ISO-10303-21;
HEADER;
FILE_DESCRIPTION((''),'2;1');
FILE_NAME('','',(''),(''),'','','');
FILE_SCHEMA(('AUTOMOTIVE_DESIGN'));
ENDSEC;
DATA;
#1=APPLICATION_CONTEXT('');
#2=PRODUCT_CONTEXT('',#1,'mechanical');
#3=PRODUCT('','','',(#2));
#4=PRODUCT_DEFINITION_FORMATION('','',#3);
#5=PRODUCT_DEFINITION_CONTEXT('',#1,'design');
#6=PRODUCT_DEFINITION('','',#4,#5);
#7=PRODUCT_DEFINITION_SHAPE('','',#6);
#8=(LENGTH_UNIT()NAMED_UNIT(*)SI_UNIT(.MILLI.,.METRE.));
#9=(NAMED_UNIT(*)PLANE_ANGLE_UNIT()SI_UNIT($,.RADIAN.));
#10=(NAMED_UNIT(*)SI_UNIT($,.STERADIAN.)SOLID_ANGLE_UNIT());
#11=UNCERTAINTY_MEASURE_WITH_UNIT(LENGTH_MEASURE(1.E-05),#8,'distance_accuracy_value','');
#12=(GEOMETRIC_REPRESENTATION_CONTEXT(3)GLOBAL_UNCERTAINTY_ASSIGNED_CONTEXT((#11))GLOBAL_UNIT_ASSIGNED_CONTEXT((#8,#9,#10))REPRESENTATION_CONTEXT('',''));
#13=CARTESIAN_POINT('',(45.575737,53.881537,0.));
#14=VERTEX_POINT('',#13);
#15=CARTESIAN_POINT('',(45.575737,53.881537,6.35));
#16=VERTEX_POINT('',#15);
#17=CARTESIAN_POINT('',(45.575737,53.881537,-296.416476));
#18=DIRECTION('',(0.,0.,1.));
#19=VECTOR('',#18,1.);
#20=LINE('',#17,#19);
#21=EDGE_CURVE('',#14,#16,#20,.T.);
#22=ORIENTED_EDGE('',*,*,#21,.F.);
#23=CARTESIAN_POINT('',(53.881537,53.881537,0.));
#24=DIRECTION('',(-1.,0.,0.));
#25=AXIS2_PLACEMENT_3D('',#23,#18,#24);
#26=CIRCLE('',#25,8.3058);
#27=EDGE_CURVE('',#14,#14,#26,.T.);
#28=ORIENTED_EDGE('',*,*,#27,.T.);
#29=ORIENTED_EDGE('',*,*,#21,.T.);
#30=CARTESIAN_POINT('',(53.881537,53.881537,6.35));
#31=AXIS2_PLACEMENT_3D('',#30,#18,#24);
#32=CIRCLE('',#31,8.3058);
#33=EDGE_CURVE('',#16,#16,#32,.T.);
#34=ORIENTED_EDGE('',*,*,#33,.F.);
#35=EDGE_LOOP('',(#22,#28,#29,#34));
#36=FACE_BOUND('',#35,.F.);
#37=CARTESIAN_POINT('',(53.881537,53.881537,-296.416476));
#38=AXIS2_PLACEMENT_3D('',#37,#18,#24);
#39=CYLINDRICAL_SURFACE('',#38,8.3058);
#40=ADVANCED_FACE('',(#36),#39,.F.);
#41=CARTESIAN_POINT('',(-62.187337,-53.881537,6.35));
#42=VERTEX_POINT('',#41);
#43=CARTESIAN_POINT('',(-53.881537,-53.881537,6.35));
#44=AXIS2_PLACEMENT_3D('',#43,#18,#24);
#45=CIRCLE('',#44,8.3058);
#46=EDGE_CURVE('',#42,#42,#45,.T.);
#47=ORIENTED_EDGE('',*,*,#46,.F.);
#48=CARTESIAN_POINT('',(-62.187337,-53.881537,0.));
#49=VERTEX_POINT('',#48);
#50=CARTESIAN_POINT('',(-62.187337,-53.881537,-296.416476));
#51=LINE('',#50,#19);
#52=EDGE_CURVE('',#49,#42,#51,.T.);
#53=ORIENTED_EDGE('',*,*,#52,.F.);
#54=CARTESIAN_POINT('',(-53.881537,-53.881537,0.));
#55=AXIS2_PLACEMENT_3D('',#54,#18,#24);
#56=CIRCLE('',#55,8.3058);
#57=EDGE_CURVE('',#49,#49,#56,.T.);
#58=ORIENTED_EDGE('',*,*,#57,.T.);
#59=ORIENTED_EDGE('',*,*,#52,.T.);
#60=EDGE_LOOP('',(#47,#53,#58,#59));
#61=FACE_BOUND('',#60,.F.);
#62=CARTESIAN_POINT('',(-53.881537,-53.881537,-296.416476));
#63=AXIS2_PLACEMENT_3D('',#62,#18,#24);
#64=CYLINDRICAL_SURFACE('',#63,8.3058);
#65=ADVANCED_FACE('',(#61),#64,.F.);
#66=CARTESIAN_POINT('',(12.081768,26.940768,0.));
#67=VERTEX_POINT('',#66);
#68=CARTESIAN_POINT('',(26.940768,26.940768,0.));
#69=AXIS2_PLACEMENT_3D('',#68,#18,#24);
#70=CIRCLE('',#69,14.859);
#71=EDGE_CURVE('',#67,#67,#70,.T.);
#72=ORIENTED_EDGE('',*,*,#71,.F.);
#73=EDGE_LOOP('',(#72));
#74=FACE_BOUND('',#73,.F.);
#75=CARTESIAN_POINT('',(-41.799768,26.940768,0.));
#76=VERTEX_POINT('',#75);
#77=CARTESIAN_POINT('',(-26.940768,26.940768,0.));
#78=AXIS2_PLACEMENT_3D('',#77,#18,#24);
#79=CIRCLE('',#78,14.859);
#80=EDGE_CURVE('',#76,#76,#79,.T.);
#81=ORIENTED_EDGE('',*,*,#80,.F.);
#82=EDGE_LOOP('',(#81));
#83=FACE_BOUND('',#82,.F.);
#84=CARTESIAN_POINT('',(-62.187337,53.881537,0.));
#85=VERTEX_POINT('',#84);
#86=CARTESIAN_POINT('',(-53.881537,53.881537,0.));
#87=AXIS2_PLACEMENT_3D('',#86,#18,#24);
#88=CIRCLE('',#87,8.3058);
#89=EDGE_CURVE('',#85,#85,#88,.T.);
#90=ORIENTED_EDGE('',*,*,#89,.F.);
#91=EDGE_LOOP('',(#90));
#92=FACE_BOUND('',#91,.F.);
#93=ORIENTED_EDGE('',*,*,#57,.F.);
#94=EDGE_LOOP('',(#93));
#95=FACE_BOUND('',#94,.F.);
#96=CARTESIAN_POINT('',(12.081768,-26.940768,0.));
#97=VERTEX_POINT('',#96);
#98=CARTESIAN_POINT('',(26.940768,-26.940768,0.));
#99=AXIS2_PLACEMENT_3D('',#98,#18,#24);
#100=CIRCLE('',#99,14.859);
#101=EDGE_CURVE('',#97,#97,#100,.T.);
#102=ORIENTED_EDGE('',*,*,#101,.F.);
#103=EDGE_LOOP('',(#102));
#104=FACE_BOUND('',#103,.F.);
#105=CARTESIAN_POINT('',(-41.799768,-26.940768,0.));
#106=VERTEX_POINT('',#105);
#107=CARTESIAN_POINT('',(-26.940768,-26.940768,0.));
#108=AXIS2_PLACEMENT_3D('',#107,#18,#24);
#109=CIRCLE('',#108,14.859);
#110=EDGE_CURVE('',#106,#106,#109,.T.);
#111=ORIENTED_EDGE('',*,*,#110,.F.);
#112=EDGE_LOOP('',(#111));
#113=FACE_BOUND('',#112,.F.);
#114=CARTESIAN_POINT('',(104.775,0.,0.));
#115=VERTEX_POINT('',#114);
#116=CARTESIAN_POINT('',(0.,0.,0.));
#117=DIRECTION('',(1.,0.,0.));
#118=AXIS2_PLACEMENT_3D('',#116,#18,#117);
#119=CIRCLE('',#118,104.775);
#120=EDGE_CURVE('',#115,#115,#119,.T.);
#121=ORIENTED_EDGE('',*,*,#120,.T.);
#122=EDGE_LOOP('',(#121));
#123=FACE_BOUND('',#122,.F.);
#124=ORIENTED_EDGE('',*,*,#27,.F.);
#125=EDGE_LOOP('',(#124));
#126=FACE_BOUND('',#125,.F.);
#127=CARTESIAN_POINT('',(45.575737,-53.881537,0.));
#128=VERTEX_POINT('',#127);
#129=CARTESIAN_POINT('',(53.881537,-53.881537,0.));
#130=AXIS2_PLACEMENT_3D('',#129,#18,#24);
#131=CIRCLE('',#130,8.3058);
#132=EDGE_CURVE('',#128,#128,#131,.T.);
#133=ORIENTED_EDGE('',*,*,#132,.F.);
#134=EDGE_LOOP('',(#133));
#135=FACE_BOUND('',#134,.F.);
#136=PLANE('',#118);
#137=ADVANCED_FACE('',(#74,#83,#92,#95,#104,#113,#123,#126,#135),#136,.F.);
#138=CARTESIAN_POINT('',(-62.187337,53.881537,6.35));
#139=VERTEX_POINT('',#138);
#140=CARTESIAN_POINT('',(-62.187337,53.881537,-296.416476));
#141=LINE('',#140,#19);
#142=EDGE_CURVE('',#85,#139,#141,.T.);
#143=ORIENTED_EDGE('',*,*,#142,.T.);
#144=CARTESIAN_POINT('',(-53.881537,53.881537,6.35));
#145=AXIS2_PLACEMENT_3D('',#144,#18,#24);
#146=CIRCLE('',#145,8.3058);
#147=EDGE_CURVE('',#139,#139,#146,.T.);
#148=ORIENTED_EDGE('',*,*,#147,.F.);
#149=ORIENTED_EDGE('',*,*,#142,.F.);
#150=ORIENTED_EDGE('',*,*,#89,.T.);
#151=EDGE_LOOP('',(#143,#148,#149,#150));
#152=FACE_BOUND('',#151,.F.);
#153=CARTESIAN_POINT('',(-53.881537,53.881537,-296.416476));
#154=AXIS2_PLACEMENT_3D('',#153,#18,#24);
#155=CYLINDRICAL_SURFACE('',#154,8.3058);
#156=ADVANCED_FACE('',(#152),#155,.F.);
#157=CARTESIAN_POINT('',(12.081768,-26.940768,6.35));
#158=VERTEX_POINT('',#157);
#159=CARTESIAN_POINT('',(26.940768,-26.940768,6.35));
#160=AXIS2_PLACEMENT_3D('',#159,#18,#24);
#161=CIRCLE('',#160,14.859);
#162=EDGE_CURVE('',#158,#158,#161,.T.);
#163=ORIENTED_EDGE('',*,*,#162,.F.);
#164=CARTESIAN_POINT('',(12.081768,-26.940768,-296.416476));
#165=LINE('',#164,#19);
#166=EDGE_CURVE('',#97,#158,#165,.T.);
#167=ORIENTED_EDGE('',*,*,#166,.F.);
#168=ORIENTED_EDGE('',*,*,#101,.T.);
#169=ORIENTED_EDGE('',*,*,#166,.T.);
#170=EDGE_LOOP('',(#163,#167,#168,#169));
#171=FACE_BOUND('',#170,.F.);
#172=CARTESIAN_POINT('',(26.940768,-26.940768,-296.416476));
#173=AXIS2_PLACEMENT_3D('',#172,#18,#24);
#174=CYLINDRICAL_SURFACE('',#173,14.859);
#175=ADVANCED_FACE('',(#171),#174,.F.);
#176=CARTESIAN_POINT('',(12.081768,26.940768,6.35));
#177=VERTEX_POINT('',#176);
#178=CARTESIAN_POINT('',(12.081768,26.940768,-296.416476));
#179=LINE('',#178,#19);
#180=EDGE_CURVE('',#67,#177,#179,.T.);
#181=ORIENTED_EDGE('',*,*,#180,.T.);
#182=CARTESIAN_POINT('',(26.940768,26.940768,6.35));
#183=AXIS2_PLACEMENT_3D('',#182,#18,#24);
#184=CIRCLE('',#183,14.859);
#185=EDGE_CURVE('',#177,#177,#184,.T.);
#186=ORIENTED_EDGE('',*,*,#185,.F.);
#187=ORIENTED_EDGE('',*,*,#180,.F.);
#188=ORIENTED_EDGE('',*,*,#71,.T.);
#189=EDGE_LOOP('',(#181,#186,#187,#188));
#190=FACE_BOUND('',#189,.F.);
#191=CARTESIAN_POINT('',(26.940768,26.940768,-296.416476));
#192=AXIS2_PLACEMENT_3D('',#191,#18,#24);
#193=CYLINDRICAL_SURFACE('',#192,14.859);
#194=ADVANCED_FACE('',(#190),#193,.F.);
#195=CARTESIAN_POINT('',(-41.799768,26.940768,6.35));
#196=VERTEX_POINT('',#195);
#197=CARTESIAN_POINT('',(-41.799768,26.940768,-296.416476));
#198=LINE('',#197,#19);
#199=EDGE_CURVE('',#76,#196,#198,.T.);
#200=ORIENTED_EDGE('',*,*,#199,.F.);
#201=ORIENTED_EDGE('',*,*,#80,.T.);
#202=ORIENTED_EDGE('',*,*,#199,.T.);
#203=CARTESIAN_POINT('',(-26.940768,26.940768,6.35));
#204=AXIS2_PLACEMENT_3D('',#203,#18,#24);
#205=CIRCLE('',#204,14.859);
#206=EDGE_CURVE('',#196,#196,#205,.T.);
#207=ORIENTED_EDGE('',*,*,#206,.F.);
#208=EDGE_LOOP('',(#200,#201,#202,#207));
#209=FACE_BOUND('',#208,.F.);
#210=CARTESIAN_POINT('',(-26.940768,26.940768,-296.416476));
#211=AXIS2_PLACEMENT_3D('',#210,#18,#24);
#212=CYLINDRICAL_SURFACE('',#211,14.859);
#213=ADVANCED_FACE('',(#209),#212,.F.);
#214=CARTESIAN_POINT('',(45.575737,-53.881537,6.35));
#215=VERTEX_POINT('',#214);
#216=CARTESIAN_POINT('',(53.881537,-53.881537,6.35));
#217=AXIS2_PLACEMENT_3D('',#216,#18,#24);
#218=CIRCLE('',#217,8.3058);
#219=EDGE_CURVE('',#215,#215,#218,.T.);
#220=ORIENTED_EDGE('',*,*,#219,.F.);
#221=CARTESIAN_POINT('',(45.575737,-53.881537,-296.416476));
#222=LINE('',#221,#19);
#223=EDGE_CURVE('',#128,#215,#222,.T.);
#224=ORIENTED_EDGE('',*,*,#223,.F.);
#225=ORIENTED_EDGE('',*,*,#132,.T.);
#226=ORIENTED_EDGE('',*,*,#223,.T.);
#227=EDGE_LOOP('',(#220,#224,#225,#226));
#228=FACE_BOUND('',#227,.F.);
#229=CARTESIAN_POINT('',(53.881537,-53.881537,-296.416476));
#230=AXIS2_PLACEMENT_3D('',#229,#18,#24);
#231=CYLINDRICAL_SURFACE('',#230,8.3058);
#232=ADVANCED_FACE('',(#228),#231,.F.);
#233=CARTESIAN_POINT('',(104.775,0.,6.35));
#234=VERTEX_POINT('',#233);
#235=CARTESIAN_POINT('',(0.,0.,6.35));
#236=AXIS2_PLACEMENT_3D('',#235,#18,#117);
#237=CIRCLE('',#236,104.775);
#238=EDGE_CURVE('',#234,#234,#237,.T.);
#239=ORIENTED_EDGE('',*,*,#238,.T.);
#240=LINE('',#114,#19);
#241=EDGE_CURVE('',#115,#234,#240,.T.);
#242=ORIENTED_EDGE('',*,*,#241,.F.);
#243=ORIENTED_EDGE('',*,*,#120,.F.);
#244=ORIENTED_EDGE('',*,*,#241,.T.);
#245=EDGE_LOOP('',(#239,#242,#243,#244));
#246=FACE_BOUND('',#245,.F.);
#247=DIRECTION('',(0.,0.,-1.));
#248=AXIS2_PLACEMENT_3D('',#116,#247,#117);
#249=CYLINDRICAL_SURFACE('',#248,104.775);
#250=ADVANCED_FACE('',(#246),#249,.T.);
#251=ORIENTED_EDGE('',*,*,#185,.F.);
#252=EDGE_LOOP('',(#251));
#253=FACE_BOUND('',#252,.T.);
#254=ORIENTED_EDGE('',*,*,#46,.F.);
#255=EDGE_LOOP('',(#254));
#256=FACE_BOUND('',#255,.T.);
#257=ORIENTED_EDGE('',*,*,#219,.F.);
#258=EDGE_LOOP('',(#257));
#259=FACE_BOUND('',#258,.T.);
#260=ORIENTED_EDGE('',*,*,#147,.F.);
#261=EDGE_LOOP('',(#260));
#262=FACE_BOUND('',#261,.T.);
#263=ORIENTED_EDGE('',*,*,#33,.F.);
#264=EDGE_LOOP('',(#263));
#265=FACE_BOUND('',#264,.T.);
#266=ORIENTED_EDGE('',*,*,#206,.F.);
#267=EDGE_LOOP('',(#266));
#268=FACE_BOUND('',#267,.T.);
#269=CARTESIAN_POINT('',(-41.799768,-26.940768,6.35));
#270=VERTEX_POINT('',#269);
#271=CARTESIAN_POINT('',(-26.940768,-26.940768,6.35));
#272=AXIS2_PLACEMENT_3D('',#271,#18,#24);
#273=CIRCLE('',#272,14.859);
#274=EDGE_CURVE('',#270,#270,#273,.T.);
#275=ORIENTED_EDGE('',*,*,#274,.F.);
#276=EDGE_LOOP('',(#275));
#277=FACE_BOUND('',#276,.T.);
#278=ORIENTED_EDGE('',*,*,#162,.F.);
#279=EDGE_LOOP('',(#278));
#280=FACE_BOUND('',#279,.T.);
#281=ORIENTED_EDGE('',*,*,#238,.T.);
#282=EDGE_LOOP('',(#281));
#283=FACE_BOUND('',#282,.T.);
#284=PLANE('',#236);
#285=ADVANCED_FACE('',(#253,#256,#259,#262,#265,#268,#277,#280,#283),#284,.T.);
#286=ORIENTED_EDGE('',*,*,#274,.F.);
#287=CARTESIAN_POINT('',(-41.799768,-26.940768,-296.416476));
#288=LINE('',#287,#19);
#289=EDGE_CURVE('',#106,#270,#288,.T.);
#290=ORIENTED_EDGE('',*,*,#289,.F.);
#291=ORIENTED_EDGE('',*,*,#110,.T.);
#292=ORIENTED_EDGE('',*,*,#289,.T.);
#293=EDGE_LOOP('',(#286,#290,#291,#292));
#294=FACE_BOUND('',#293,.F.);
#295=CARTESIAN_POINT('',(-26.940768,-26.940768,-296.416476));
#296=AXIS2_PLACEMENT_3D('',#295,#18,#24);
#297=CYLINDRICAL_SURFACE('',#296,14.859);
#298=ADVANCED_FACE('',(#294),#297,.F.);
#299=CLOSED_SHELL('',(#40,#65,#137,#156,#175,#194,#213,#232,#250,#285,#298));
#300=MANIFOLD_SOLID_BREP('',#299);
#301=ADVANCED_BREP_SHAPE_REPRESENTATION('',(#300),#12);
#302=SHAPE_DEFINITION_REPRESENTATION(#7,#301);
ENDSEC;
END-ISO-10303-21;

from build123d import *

# Parameters (mm, degrees)
F0_R     = 104.775
F1_DEPTH = 6.35
F2_D     = 29.718
F3_D     = 29.718
F4_D     = 29.718
F5_D     = 29.718
F6_D     = 16.6116
F7_D     = 16.6116
F8_D     = 16.6116
F9_D     = 16.6116


with BuildPart() as f1:
    # F0 (on Top) → F1 (new body)
    with BuildSketch(Plane.XY):
        Circle(F0_R)
    extrude(amount=F1_DEPTH)

    # F2 (through all)
    with Locations(Plane(origin=(0, 0, 0), x_dir=(1, 0, 0), z_dir=(0, 0, -1))):
        with Locations((-26.940768, 26.940768)):
            Hole(F2_D / 2)

    # F3 (through all)
    with Locations(Plane(origin=(0, 0, 0), x_dir=(1, 0, 0), z_dir=(0, 0, -1))):
        with Locations((26.940768, 26.940768)):
            Hole(F3_D / 2)

    # F4 (through all)
    with Locations(Plane(origin=(0, 0, 0), x_dir=(1, 0, 0), z_dir=(0, 0, -1))):
        with Locations((-26.940768, -26.940768)):
            Hole(F4_D / 2)

    # F5 (through all)
    with Locations(Plane(origin=(0, 0, 0), x_dir=(1, 0, 0), z_dir=(0, 0, -1))):
        with Locations((26.940768, -26.940768)):
            Hole(F5_D / 2)

    # F6 (through all)
    with Locations(Plane(origin=(0, 0, 0), x_dir=(1, 0, 0), z_dir=(0, 0, -1))):
        with Locations((-53.881537, 53.881537)):
            Hole(F6_D / 2)

    # F7 (through all)
    with Locations(Plane(origin=(0, 0, 0), x_dir=(1, 0, 0), z_dir=(0, 0, -1))):
        with Locations((53.881537, 53.881537)):
            Hole(F7_D / 2)

    # F8 (through all)
    with Locations(Plane(origin=(0, 0, 0), x_dir=(1, 0, 0), z_dir=(0, 0, -1))):
        with Locations((-53.881537, -53.881537)):
            Hole(F8_D / 2)

    # F9 (through all)
    with Locations(Plane(origin=(0, 0, 0), x_dir=(1, 0, 0), z_dir=(0, 0, -1))):
        with Locations((53.881537, -53.881537)):
            Hole(F9_D / 2)


solid = f1.part
